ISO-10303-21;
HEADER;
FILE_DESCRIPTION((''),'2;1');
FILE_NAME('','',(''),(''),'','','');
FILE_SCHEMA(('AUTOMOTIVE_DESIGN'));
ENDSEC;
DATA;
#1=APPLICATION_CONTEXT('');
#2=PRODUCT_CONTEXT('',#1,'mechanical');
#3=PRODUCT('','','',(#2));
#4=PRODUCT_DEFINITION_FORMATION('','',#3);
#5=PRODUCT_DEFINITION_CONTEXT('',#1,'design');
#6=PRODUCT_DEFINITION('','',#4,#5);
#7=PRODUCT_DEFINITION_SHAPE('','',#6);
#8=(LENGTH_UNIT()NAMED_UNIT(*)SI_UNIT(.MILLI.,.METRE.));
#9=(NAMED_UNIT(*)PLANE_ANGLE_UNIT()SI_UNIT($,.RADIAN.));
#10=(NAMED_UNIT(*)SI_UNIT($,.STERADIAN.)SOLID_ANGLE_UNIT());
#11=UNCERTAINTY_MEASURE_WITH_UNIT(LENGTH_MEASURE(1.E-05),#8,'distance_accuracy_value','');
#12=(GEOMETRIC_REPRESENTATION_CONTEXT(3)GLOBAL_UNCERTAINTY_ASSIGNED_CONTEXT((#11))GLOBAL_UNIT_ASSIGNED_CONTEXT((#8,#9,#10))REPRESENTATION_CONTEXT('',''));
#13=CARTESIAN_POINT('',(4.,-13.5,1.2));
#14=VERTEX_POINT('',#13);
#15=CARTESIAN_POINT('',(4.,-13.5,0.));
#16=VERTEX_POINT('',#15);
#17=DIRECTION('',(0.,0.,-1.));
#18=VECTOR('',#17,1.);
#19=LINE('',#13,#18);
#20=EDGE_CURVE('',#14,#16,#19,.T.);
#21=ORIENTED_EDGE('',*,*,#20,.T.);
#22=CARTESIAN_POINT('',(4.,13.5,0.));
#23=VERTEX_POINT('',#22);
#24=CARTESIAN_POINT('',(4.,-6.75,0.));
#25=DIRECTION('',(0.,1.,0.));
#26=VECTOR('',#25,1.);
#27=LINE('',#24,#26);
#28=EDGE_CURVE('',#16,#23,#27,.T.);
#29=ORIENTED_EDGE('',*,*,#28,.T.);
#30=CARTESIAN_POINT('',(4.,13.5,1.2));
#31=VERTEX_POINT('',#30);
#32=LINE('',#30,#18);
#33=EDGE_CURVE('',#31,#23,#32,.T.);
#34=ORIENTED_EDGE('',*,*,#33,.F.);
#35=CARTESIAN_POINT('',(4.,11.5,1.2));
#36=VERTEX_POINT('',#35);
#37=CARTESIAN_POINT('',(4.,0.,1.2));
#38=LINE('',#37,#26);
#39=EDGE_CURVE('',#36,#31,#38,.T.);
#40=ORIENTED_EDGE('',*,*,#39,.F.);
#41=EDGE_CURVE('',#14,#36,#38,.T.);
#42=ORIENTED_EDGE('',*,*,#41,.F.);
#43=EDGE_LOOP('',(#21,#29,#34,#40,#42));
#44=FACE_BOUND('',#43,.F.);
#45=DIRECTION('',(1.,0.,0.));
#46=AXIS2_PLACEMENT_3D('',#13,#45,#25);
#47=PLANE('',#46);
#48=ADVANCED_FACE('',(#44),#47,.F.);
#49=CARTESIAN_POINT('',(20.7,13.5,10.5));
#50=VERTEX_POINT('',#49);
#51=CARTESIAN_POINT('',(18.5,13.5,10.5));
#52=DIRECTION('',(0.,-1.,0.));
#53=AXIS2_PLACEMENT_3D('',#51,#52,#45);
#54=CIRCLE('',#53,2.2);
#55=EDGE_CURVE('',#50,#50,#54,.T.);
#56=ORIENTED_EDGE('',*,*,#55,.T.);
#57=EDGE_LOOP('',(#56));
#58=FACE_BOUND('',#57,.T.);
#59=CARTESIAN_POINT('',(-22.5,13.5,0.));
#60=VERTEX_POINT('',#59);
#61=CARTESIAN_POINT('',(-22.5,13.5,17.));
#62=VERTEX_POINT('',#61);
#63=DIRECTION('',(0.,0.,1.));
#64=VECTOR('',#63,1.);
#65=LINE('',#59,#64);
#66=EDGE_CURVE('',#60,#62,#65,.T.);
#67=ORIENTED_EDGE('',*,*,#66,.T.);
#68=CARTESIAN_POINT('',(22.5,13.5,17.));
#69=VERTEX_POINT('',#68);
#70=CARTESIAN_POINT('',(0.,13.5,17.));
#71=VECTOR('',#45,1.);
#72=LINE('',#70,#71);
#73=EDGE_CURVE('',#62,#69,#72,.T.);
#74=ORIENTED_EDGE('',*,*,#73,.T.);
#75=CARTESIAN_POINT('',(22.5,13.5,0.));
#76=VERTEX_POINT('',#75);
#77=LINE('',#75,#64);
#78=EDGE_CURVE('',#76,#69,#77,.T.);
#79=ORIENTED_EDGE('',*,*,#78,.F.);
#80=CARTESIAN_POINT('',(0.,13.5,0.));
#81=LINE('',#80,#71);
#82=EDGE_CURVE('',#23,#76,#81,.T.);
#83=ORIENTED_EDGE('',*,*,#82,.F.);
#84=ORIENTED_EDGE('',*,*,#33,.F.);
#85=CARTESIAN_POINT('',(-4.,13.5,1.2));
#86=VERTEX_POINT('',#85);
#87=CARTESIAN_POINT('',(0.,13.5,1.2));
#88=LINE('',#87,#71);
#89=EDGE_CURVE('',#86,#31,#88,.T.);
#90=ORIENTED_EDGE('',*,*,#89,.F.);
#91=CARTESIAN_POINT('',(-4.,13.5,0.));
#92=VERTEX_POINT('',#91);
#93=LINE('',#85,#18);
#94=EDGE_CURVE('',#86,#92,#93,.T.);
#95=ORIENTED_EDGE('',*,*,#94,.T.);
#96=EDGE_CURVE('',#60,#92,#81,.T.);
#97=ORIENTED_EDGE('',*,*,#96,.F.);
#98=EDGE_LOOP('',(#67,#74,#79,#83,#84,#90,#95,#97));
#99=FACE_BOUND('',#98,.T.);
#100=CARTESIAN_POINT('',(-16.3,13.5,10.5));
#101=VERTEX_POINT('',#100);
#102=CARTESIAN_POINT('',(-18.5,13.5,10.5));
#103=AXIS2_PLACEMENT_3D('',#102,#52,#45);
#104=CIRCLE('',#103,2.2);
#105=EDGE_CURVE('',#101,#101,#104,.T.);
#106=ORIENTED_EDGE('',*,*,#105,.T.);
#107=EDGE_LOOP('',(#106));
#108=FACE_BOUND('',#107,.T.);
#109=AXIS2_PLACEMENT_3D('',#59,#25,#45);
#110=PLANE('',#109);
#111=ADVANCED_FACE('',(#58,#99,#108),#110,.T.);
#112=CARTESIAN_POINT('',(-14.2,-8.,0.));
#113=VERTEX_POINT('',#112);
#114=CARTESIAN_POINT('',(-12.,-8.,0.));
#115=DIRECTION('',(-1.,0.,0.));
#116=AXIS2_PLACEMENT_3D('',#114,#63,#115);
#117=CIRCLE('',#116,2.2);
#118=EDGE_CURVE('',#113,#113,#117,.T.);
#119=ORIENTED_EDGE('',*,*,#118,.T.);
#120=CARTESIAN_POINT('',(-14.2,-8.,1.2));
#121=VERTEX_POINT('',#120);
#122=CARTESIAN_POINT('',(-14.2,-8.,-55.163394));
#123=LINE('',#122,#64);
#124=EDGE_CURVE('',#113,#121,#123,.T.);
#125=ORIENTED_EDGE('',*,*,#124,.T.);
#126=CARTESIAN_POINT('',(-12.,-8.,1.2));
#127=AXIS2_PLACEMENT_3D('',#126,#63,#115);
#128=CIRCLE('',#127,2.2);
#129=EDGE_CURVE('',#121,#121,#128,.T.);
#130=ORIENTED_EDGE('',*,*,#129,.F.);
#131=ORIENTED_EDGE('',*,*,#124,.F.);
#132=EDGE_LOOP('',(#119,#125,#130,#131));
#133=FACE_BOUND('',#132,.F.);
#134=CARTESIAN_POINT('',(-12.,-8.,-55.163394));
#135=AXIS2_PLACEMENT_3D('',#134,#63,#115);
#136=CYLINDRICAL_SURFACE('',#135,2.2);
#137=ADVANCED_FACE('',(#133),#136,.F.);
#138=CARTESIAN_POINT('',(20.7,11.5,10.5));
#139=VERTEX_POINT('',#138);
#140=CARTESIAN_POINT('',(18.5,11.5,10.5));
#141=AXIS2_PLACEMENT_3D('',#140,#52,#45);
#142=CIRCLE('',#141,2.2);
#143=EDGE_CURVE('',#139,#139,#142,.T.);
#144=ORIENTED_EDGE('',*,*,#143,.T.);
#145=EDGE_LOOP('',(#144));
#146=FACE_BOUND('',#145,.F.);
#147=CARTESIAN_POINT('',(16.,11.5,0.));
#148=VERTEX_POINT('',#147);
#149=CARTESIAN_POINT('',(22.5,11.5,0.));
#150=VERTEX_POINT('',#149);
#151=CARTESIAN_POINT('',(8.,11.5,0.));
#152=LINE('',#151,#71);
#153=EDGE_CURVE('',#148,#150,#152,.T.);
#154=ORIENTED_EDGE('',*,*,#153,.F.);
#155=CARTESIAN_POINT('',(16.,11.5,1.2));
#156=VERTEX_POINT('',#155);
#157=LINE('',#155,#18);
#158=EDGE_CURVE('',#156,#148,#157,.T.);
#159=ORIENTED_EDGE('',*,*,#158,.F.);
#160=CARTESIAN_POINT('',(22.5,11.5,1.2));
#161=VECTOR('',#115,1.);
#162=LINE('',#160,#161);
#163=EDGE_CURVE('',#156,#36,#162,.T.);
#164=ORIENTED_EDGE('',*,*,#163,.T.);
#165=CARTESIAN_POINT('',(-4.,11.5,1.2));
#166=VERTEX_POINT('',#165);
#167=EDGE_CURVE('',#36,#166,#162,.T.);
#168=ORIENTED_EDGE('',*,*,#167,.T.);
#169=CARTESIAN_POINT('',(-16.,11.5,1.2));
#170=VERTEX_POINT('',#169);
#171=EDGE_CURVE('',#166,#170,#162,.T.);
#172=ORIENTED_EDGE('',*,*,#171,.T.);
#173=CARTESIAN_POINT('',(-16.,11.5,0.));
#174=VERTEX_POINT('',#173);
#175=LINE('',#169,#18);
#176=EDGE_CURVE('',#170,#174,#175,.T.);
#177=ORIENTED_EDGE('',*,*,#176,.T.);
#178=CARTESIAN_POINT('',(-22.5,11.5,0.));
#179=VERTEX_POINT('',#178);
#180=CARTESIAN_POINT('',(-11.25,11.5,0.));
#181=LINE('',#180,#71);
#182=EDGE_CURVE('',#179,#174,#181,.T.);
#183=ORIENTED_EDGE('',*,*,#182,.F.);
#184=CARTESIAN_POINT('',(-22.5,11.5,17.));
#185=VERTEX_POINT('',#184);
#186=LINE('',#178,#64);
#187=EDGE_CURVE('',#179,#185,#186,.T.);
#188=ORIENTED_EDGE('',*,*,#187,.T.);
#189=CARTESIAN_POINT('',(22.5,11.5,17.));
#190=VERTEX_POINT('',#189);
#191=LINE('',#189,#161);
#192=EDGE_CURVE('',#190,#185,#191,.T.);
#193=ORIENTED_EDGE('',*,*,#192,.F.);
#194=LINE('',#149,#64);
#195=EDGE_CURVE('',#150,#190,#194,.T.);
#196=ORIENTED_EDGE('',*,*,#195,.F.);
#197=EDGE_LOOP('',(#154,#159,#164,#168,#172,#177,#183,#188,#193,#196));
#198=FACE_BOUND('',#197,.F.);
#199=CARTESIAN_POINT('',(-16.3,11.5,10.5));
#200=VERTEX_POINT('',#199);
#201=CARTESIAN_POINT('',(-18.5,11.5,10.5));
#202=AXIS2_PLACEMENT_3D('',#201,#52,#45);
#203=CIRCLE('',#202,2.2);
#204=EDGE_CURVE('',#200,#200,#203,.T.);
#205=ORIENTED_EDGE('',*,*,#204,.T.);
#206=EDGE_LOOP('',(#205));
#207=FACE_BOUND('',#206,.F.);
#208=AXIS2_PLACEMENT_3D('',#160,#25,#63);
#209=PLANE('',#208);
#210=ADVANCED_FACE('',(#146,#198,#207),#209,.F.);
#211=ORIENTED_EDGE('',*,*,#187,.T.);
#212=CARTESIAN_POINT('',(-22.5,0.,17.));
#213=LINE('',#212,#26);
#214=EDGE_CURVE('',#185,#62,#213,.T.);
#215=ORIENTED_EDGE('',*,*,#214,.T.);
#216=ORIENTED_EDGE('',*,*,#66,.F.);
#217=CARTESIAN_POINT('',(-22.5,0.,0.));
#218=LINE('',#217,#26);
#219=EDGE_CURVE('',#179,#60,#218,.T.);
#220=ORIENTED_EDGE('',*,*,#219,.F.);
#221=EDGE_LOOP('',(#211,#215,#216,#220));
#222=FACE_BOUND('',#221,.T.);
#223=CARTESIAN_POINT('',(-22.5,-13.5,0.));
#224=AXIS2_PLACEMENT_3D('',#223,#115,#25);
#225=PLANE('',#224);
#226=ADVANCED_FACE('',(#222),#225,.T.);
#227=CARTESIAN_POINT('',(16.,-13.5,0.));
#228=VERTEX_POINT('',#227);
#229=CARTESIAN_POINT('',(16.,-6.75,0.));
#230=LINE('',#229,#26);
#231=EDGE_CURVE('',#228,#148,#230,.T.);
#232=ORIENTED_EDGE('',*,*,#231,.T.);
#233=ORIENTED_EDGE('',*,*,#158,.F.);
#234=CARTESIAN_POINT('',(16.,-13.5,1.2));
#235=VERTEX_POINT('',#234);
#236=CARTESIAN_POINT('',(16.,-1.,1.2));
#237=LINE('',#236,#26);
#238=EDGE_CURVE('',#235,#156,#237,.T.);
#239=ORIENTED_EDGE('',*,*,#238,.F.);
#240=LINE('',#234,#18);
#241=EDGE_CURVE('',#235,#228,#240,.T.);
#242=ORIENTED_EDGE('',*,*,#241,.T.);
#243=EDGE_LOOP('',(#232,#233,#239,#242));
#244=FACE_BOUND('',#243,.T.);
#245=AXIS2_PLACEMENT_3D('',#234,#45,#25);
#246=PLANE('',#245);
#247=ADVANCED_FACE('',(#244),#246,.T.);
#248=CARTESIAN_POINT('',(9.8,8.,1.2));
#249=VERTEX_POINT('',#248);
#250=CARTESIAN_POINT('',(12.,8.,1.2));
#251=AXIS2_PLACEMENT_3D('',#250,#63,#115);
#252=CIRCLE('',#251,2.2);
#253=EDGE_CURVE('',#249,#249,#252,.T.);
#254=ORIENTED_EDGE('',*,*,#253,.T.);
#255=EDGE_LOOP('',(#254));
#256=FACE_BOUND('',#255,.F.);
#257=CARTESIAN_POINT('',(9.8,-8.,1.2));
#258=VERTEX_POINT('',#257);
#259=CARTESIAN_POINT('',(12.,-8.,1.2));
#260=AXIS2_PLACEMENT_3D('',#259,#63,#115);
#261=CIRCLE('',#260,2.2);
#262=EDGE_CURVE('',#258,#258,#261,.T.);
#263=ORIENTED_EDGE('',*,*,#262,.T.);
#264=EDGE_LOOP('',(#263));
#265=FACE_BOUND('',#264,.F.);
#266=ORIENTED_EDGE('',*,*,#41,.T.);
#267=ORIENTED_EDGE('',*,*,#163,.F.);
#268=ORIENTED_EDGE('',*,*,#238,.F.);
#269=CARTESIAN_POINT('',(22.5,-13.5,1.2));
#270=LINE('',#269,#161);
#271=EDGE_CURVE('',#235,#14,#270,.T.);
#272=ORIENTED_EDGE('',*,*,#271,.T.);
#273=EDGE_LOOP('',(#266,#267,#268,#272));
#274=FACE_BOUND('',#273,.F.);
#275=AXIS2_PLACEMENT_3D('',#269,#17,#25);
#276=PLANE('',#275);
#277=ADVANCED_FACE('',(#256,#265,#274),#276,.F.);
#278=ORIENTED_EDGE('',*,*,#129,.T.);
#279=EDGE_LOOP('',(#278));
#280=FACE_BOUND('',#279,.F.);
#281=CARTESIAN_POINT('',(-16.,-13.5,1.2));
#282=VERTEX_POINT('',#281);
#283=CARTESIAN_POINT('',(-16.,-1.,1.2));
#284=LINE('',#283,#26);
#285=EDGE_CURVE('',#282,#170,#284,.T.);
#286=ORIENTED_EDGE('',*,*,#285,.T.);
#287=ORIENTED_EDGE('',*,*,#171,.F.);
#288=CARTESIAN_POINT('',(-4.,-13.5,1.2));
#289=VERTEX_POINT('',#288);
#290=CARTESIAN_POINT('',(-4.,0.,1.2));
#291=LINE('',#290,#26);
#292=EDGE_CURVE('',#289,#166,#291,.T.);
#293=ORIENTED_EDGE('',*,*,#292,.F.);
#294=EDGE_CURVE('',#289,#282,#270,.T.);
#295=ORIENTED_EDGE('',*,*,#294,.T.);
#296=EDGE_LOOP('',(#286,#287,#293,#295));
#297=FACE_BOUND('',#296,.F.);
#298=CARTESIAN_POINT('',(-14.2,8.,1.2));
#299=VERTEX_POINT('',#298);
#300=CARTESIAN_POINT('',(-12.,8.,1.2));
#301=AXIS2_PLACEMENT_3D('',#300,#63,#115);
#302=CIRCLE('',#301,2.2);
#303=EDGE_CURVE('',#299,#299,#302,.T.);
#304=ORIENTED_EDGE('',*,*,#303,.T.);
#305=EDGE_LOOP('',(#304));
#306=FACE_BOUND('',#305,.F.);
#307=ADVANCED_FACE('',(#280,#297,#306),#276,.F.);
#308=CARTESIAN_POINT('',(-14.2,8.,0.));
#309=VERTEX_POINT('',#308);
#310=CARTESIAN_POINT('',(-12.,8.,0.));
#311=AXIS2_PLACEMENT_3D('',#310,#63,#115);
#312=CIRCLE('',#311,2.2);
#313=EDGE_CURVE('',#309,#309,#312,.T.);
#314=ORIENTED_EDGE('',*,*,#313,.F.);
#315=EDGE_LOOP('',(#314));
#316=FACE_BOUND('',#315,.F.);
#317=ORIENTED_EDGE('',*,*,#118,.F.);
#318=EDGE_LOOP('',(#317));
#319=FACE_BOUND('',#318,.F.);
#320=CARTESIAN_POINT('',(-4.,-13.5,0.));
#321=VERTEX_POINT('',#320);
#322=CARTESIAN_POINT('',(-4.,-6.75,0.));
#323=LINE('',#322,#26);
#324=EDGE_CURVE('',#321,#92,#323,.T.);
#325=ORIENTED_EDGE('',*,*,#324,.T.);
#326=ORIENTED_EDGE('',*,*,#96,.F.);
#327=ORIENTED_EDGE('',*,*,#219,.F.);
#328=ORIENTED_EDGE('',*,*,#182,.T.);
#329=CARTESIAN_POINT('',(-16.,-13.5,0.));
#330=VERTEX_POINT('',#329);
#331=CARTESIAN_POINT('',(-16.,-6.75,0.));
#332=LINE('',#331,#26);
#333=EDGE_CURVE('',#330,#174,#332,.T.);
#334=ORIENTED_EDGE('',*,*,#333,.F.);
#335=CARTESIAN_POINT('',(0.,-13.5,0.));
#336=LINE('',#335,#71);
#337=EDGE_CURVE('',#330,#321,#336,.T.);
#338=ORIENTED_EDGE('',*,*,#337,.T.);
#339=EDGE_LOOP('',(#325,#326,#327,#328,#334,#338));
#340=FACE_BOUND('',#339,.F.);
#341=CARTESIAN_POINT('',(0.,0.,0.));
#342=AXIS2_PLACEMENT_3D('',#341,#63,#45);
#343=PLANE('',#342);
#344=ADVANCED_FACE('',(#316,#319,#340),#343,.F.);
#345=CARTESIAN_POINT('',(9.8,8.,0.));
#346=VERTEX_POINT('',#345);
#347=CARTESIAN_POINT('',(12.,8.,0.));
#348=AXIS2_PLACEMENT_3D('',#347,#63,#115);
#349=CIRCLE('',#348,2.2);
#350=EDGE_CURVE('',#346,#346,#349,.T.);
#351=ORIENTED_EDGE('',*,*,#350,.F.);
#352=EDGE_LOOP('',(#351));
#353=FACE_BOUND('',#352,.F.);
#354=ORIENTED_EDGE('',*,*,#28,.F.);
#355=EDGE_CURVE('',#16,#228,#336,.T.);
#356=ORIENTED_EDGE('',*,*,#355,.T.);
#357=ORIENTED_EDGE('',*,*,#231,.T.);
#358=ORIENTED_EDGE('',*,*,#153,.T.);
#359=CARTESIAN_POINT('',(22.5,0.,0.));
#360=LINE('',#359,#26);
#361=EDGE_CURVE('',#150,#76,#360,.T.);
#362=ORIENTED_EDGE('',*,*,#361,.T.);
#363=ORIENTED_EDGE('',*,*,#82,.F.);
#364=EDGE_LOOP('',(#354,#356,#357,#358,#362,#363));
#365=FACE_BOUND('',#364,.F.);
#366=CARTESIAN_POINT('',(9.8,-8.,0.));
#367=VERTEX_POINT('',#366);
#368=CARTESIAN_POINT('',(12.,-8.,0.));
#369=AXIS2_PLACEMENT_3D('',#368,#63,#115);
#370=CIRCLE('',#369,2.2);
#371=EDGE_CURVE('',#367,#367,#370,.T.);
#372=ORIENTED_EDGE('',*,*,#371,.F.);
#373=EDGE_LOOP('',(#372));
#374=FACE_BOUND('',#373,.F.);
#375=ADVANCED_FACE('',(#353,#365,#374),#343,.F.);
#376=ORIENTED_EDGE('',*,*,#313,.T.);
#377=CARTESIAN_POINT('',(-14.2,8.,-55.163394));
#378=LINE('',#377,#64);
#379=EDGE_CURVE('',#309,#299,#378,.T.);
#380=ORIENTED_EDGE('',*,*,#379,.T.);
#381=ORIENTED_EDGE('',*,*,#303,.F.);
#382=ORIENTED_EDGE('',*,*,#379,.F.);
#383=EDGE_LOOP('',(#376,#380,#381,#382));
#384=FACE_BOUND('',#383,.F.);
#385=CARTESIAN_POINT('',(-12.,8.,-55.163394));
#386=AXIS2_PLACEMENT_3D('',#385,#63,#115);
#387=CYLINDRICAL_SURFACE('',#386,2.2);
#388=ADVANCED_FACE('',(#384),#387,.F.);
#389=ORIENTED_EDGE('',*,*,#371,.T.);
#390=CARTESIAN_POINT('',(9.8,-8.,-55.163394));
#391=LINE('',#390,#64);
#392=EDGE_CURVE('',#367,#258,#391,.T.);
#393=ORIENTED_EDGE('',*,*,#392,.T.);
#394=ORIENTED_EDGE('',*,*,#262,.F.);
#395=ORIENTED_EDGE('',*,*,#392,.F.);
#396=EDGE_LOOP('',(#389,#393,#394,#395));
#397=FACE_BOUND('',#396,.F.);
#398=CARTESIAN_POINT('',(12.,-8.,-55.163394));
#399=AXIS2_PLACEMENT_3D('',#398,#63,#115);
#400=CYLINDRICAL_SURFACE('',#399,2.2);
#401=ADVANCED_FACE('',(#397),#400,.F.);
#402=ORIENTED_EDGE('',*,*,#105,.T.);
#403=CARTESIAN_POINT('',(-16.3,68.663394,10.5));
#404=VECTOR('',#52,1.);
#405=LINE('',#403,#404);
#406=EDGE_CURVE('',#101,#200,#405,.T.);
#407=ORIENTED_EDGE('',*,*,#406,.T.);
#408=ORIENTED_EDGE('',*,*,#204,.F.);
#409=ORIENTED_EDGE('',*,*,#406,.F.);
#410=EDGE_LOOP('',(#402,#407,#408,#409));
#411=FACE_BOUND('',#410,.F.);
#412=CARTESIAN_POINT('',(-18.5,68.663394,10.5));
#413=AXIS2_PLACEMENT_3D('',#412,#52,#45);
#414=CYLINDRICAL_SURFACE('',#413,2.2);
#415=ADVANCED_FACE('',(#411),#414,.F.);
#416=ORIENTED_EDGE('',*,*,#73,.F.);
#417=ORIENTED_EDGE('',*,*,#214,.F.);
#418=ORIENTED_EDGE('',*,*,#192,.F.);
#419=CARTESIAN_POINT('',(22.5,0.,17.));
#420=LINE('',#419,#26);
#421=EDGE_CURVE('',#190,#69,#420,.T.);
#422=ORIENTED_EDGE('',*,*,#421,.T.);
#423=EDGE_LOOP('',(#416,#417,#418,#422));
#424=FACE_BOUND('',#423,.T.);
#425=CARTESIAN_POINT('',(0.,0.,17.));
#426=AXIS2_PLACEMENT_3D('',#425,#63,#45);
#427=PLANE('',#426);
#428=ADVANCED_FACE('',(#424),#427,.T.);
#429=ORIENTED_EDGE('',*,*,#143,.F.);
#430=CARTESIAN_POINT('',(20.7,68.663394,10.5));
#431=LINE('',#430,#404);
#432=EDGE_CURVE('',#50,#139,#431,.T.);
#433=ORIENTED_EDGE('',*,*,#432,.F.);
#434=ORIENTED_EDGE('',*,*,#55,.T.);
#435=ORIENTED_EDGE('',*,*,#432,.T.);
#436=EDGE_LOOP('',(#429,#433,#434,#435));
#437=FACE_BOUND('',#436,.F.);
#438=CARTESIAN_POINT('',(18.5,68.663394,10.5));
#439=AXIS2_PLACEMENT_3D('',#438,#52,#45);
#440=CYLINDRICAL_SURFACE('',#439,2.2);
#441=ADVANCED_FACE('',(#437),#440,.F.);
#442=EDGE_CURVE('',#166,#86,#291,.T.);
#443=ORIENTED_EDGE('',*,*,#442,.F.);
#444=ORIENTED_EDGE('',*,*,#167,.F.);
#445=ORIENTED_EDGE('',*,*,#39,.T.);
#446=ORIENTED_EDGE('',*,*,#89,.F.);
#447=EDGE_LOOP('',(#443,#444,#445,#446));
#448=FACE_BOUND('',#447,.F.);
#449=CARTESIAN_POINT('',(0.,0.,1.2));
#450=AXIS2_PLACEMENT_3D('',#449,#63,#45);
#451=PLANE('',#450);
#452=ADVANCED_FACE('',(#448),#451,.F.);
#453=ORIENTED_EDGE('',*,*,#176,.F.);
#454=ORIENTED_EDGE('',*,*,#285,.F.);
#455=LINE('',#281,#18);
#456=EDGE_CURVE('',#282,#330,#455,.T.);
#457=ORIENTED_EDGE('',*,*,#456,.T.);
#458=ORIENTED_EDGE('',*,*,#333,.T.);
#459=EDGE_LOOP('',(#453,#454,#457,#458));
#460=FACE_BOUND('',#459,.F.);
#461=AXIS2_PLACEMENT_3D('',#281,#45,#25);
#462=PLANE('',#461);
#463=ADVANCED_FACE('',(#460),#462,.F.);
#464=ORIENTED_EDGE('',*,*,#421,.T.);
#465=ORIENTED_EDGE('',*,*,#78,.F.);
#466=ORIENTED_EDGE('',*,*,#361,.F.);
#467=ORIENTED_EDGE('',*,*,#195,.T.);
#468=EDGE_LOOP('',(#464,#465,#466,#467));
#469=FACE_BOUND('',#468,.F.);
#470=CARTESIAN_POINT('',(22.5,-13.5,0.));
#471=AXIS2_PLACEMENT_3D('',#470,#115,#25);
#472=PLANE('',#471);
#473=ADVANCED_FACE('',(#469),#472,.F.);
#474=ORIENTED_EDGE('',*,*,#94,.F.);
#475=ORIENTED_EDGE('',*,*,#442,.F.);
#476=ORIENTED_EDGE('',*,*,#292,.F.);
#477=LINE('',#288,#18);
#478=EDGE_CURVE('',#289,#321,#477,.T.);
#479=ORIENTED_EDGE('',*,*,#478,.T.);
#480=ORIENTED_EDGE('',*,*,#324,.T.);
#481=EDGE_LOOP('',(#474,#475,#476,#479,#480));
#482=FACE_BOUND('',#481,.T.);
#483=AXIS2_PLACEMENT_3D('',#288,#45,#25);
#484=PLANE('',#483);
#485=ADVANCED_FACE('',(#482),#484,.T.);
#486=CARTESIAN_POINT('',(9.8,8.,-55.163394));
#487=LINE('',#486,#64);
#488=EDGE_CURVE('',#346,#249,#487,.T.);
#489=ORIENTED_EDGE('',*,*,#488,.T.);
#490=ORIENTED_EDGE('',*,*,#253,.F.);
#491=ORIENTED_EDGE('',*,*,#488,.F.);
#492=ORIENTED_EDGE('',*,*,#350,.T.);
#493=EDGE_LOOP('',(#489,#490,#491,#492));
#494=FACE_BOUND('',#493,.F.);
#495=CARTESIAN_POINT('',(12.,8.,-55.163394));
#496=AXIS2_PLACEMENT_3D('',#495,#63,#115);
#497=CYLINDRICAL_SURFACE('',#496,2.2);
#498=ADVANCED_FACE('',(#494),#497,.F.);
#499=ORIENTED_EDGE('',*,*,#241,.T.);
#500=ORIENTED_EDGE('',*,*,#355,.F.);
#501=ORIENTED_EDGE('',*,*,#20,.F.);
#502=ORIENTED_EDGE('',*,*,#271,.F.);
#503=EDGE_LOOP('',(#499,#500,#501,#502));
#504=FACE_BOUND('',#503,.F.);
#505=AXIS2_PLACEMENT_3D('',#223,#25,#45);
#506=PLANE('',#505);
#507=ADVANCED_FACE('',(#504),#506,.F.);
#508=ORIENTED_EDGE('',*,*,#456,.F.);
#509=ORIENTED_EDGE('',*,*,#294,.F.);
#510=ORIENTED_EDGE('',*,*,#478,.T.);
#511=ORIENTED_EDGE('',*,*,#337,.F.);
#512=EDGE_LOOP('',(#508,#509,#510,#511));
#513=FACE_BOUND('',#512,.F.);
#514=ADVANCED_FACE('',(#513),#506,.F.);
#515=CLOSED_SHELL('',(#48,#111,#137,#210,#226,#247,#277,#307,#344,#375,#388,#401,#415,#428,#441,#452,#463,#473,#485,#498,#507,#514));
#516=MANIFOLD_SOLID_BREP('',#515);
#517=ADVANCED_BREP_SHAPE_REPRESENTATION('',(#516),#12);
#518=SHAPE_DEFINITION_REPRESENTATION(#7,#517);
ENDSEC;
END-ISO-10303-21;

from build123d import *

# Parameters (mm, degrees)
F0_W      = 45
F0_H      = 27
F1_DEPTH  = 17
F2_W      = 25
F2_H      = 15.8
F3_DEPTH  = 45.001
F4_W      = 8
F4_H      = 27
F5_DEPTH  = 1.201
F7_D      = 4.4
F9_D      = 4.4
F10_W     = 6.5
F10_H     = 25
F11_DEPTH = 1.201


with BuildPart() as f1:
    # F0 (on Top) → F1 (new body)
    with BuildSketch(Plane.XY):
        Rectangle(F0_W, F0_H)
    extrude(amount=F1_DEPTH)

    # F2 (on face) → F3 (cut, through all)
    with BuildSketch(Plane.YZ.offset(22.5)):
        with Locations((-1, 9.1)):
            Rectangle(F2_W, F2_H)
    extrude(amount=-F3_DEPTH, mode=Mode.SUBTRACT)

    # F4 (on face) → F5 (cut, through all)
    with BuildSketch(Plane.XY.offset(1.2)):
        Rectangle(F4_W, F4_H)
    extrude(amount=-F5_DEPTH, mode=Mode.SUBTRACT)

    # F7 (through all)
    with Locations(Plane(origin=(0, 0, 0), x_dir=(1, 0, 0), z_dir=(0, 0, -1))):
        with Locations((-12, 8), (12, 8), (12, -8), (-12, -8)):
            Hole(F7_D / 2)

    # F9 (through all)
    with Locations(Plane(origin=(0, 13.5, 0), x_dir=(-1, 0, 0), z_dir=(0, 1, 0))):
        with Locations((18.5, 10.5), (-18.5, 10.5)):
            Hole(F9_D / 2)

    # F10 (on face) → F11 (cut, through all)
    with BuildSketch(Plane.XY.offset(1.2)):
        with Locations((-19.25, -1)):
            Rectangle(F10_W, F10_H)
        with Locations((19.25, -1)):
            Rectangle(F10_W, F10_H)
    extrude(amount=-F11_DEPTH, mode=Mode.SUBTRACT)


solid = f1.part
